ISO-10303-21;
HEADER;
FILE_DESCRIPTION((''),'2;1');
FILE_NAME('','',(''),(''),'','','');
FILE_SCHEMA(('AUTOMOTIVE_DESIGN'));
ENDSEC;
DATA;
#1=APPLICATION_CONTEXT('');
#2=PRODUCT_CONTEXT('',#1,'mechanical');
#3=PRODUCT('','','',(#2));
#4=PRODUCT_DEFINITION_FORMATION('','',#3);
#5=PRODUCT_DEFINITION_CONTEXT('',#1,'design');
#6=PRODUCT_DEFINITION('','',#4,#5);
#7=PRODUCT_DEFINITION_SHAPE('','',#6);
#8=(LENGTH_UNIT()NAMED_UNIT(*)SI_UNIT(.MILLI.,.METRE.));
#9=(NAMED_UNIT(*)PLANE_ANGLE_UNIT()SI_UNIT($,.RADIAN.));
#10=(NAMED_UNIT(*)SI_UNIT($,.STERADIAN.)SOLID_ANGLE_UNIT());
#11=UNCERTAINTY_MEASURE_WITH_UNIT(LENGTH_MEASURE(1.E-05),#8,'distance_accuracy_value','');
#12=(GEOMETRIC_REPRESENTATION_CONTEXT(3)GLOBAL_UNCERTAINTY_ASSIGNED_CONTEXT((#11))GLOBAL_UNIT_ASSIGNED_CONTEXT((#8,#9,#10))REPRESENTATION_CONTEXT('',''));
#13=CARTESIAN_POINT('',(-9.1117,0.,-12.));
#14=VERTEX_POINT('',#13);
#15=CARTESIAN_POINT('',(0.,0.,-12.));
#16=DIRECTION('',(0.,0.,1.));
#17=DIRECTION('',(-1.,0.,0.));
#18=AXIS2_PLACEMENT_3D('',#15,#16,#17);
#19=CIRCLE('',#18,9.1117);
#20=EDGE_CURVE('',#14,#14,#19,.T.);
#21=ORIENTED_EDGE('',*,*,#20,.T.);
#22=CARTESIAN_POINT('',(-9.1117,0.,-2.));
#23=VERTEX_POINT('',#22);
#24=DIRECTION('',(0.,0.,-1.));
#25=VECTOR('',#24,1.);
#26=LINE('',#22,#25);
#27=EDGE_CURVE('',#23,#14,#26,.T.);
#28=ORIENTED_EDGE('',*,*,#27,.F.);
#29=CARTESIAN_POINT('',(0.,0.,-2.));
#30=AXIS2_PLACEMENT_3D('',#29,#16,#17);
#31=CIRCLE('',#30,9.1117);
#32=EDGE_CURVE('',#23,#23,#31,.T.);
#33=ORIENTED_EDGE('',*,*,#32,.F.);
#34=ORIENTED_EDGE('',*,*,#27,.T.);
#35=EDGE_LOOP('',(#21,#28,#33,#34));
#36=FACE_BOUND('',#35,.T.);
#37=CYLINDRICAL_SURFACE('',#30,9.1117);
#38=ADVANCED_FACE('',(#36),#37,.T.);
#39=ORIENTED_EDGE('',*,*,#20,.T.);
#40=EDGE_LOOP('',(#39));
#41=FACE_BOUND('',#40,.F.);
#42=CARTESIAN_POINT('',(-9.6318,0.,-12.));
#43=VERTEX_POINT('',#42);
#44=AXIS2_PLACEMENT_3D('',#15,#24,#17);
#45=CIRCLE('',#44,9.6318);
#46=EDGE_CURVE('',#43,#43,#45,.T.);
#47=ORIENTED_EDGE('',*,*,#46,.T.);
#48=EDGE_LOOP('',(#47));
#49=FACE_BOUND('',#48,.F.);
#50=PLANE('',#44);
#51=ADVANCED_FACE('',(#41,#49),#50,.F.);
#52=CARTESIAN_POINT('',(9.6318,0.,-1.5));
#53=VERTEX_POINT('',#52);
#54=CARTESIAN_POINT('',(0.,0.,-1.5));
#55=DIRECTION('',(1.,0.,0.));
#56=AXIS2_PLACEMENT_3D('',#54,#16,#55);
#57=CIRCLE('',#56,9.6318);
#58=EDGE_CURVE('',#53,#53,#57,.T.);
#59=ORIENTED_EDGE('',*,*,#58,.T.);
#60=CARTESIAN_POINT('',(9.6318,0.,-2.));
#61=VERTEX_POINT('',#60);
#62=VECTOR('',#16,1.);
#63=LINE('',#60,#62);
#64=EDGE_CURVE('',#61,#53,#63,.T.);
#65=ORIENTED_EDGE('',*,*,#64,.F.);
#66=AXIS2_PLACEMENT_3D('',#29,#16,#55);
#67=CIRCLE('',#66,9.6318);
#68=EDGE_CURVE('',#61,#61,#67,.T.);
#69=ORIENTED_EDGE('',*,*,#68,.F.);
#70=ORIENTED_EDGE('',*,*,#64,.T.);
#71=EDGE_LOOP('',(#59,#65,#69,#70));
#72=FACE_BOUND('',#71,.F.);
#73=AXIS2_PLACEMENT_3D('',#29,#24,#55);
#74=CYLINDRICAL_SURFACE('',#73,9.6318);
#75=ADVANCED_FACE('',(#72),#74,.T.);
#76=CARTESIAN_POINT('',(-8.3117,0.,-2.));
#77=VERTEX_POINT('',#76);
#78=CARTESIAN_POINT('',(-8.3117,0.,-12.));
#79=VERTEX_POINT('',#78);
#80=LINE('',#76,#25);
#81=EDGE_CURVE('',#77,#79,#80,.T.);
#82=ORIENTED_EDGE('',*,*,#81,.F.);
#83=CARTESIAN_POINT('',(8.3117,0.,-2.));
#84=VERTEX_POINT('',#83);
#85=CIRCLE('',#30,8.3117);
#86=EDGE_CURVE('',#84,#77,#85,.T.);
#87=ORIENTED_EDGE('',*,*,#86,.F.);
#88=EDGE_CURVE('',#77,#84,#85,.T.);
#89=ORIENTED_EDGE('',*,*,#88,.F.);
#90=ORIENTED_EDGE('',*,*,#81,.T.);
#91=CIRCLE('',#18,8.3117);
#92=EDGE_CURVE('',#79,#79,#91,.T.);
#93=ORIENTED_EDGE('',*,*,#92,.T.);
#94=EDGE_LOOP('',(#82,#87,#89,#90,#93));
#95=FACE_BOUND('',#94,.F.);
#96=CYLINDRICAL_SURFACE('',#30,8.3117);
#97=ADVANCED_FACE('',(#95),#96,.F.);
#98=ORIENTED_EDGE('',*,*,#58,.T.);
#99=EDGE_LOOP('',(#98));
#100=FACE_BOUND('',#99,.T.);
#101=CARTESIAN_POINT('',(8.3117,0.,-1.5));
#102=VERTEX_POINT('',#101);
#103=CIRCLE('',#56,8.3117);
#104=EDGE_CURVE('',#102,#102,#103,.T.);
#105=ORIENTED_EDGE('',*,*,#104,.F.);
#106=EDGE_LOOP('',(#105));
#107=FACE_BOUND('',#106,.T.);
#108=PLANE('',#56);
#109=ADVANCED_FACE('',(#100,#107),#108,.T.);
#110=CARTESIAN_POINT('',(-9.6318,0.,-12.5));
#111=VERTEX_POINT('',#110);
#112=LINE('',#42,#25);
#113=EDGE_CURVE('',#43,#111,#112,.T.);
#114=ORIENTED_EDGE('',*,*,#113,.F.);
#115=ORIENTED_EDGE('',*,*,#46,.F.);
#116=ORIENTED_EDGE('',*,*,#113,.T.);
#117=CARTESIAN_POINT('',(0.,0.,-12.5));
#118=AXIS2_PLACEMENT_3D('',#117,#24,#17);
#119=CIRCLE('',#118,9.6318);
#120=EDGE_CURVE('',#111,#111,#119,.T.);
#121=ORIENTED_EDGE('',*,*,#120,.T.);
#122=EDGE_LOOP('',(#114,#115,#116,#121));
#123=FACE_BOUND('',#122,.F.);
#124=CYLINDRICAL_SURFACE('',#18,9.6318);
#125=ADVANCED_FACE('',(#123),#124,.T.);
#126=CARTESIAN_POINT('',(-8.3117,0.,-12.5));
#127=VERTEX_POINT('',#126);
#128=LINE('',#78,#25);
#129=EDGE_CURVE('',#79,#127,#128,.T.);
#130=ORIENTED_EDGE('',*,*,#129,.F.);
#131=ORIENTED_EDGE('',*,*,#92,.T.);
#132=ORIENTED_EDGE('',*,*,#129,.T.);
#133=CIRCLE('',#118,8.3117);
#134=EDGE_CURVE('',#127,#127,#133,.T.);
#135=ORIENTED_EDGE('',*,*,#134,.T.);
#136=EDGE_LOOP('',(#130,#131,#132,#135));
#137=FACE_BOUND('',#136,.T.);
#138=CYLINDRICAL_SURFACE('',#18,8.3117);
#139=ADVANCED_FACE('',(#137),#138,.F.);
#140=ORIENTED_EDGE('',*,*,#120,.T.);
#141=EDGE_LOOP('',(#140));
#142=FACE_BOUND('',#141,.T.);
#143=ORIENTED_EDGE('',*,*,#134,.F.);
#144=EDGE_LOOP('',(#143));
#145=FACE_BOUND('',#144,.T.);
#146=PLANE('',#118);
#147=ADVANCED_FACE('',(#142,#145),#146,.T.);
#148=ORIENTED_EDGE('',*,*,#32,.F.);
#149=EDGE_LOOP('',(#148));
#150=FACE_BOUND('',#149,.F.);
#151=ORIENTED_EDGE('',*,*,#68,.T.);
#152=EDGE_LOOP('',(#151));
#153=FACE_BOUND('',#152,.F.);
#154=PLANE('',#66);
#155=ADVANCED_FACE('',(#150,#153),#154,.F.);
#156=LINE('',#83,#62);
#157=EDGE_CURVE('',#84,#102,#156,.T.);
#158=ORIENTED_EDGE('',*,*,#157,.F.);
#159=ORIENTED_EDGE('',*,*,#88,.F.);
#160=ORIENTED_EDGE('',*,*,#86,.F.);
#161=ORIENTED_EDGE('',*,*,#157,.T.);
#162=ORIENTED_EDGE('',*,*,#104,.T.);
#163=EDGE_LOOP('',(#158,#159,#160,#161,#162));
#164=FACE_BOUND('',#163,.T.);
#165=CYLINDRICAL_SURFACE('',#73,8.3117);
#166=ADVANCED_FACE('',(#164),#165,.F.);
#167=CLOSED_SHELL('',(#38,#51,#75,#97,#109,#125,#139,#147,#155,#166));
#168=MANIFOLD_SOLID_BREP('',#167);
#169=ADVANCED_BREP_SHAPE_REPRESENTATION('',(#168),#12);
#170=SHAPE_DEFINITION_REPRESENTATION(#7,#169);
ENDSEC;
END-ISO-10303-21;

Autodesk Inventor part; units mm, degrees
ref_plane "YZ Plane" through (0, 0, 0) normal (1, 0, 0) x (0, 1, 0)
ref_plane "XZ Plane" through (0, 0, 0) normal (0, 1, 0) x (-1, 0, 0)
ref_plane "XY Plane" through (0, 0, 0) normal (0, 0, 1) x (1, 0, 0)
ref_plane "Work Plane1" through (0, 0, -2) normal (0, 0, 1) x (-1, 0, 0)
sketch "Sketch1" plane through (0, 0, -2) normal (0, 0, 1) x (-1, 0, 0)
  circle A0 centre (0, 0) radius 8.1117 projected
  circle A1 centre (0, 0) radius 8.3117
  circle A2 centre (0, 0) radius 9.1117
  point P0 (0, 0)
  dimension "d0" = 0.2
  dimension "d1" = 1
extrude "Extrusion1" add sketch "Sketch1" against normal blind 10 contours A2
sketch "Sketch2" plane through (0, 0, -2) normal (0, 0, 1) x (1, 0, 0)
  circle A0 centre (0, 0) radius 8.3117 projected
  circle A1 centre (0, 0) radius 9.6318
  point P0 (0, 0)
extrude "Extrusion2" add sketch "Sketch2" along normal blind 0.5
sketch "Sketch3" plane through (0, 0, -12) normal (0, 0, -1) x (-1, 0, 0)
  circle A0 centre (0, 0) radius 9.6318 projected
  circle A1 centre (0, 0) radius 8.3117 projected
  point P0 (0, 0)
extrude "Extrusion3" add sketch "Sketch3" along normal blind 0.5
properties part number "01_Autofocus_10x_objective_copper_coil"
